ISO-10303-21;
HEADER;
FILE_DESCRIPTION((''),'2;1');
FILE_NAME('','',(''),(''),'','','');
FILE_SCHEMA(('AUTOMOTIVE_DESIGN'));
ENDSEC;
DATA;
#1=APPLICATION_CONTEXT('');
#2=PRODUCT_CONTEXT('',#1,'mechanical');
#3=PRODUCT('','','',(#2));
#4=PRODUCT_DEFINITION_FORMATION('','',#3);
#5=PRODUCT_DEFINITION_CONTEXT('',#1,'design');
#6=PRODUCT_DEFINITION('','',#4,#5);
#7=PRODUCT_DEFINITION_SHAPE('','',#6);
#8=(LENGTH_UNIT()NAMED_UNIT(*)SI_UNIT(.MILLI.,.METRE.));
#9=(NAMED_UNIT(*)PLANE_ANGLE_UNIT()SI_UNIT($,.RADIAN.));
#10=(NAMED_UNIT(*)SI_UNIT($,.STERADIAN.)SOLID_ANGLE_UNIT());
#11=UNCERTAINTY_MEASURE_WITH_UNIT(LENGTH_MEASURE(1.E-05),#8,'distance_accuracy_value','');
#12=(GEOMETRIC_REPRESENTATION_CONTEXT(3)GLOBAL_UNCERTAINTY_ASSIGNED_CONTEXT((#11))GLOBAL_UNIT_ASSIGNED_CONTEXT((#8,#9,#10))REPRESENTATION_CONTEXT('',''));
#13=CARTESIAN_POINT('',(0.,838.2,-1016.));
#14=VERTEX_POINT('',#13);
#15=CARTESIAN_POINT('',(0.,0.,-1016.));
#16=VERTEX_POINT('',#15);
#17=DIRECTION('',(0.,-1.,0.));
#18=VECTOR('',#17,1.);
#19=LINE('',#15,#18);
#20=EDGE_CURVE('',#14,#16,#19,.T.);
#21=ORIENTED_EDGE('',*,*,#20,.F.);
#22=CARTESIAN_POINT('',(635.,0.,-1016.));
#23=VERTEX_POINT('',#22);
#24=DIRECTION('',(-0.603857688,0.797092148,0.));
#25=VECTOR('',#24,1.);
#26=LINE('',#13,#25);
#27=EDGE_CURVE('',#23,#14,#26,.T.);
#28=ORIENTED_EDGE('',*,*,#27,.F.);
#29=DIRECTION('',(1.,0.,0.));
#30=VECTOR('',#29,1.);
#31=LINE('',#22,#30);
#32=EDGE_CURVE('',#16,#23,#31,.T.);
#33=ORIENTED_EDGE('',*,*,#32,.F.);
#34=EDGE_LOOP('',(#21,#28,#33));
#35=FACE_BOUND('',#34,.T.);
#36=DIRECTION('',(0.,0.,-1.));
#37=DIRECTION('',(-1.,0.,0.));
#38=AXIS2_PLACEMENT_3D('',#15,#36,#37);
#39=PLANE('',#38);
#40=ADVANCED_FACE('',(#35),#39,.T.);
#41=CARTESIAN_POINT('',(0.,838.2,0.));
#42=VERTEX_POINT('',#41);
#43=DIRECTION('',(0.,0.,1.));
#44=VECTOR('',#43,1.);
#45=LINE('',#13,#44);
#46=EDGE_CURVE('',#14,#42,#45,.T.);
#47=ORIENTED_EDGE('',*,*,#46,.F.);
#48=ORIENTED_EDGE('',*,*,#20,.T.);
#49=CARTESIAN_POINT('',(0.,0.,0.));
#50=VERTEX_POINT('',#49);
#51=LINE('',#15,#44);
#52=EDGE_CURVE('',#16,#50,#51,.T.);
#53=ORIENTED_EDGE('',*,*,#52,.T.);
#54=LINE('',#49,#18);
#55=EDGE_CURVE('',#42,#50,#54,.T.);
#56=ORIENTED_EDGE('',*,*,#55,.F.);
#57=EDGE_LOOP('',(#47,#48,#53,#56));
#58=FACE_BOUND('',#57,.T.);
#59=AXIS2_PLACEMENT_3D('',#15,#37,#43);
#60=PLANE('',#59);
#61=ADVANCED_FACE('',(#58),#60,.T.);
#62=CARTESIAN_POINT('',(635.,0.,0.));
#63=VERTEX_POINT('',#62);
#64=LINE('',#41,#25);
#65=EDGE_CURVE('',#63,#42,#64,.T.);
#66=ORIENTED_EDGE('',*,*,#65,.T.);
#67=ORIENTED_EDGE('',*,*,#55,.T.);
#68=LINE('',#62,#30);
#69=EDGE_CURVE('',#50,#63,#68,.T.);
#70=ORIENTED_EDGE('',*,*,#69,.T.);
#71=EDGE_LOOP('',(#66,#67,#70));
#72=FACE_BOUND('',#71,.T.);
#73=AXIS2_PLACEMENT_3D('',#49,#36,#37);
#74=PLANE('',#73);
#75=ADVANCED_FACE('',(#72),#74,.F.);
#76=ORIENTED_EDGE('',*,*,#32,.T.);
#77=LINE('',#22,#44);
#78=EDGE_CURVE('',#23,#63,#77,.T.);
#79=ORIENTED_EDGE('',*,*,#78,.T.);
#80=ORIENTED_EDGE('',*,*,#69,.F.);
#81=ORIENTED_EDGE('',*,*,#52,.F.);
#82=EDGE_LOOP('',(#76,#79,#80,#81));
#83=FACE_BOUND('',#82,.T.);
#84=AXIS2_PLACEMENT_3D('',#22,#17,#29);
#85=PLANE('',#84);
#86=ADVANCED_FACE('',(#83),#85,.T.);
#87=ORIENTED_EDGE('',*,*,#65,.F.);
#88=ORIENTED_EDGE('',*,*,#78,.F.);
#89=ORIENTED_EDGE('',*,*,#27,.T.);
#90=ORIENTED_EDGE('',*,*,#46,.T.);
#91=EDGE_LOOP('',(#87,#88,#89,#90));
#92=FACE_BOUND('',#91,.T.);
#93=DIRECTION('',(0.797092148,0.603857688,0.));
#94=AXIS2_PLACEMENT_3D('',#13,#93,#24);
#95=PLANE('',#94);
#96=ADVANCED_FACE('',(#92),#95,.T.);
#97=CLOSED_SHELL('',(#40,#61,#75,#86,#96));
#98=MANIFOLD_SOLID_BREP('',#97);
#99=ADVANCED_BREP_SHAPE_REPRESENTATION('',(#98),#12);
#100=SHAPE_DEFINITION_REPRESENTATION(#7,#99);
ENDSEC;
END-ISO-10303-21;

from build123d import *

# Parameters (mm, degrees)
BOSS_EXTRUDE1_DEPTH = 1016


with BuildPart() as part:
    # Sketch1 → Boss-Extrude1 (new body)
    with BuildSketch(Plane.XY):
        Polygon((0, 0), (0, 838.2), (635, 0), align=None)
    extrude(amount=-BOSS_EXTRUDE1_DEPTH)


solid = part.part
